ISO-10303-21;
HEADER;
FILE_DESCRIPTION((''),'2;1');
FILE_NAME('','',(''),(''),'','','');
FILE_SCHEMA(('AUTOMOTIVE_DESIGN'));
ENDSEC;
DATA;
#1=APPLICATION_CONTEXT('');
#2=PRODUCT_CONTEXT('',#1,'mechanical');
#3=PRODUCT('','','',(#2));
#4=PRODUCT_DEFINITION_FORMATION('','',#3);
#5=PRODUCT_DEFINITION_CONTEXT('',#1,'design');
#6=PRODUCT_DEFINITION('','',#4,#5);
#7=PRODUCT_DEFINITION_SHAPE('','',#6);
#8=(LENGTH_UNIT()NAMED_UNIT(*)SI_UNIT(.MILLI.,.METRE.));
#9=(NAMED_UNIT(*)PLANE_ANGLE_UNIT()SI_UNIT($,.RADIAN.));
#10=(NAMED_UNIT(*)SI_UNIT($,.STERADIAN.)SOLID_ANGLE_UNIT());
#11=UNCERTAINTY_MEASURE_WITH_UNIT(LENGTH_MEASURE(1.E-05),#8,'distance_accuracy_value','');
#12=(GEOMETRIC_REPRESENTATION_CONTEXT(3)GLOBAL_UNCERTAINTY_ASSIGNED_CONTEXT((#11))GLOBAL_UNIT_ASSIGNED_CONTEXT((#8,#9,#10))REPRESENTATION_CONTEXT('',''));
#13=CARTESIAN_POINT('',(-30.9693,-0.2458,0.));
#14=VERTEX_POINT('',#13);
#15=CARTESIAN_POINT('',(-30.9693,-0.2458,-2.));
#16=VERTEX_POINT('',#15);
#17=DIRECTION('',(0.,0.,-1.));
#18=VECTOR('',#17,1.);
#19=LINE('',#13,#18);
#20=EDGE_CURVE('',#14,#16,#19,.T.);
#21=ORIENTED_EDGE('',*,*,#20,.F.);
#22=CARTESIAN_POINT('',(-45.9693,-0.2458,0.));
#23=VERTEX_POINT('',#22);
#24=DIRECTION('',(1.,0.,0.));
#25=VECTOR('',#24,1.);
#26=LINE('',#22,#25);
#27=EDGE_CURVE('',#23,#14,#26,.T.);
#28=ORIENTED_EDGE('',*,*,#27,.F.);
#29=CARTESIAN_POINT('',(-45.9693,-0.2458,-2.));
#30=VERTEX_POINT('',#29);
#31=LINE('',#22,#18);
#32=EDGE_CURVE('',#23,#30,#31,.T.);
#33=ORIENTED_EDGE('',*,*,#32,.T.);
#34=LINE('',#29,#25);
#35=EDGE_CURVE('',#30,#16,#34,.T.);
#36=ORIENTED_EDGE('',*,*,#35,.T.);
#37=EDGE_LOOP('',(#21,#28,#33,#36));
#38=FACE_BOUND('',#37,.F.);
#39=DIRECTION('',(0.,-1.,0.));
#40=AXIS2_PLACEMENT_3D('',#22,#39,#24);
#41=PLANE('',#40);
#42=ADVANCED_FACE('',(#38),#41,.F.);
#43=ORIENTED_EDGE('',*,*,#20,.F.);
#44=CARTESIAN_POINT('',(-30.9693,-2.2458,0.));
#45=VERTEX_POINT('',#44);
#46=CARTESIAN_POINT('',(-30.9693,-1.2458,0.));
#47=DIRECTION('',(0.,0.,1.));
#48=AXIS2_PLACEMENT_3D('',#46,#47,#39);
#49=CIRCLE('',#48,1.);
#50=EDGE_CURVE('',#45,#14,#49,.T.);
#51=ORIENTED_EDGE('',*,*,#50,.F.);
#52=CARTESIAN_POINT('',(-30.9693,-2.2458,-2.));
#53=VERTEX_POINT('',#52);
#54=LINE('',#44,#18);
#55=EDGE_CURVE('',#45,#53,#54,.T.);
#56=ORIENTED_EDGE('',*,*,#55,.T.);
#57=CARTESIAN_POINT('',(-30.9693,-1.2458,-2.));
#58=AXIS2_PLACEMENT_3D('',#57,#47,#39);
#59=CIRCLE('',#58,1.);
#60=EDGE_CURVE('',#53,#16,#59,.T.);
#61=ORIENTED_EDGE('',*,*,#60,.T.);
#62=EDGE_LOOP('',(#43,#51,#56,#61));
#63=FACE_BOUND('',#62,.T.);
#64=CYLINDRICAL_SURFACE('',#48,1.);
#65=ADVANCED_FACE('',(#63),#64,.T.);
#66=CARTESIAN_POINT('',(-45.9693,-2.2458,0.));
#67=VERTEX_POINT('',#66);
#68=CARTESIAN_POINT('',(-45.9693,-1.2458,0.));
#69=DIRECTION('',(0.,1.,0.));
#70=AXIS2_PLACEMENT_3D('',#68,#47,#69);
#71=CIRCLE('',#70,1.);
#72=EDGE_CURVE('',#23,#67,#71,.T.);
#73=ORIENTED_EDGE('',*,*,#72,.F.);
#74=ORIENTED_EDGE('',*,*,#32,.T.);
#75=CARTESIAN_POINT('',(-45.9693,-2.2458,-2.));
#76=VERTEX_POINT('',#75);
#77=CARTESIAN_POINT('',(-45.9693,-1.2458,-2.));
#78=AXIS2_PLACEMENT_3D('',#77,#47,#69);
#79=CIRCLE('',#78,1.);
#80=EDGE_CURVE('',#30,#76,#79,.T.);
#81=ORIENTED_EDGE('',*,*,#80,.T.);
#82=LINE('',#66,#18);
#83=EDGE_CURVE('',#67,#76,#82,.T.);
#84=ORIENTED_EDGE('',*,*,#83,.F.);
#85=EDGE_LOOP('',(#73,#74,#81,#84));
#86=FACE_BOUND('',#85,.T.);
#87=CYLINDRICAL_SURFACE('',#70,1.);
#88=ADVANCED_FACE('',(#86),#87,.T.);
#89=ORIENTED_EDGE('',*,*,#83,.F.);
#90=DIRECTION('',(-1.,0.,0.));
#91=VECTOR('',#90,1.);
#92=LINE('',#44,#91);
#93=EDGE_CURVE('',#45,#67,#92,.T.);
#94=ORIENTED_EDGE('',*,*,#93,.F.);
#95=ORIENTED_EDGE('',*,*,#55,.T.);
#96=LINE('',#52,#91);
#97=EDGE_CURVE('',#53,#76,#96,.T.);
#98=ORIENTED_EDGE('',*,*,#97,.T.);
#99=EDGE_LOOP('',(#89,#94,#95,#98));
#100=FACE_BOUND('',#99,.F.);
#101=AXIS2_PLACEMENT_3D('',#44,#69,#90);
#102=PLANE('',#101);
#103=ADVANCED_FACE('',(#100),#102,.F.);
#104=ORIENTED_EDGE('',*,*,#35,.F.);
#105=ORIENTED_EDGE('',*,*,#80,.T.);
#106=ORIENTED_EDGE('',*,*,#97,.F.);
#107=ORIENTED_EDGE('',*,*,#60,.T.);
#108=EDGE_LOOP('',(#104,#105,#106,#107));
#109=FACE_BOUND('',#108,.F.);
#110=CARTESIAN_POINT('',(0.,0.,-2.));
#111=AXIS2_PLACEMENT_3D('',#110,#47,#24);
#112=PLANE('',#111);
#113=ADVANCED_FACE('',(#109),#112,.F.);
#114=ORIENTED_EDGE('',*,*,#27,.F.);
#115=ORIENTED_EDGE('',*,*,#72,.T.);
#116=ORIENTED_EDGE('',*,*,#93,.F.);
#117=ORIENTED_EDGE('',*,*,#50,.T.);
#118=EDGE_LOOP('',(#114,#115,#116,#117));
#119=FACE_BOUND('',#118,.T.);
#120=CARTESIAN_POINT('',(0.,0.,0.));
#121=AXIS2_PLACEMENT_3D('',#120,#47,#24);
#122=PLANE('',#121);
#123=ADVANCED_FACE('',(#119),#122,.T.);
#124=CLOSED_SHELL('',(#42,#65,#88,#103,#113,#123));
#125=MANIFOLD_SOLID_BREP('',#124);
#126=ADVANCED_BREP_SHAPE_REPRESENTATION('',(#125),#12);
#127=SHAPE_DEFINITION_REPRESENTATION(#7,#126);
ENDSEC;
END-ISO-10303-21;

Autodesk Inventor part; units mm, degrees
ref_plane "YZ Plane" through (0, 0, 0) normal (1, 0, 0) x (0, 1, 0)
ref_plane "XZ Plane" through (0, 0, 0) normal (0, 1, 0) x (-1, 0, 0)
ref_plane "XY Plane" through (0, 0, 0) normal (0, 0, 1) x (1, 0, 0)
sketch "Náčrt4" plane through (0, 0, 0) normal (0, 0, 1) x (1, 0, 0)
  line L0 (-27.9693, -0.2458) -> (-12.9693, -0.2458) construction
  line L1 (-12.9693, -2.2458) -> (-27.9693, -2.2458) construction
  line L2 (-45.9693, -0.2458) -> (-30.9693, -0.2458) construction
  line L3 (-30.9693, -2.2458) -> (-45.9693, -2.2458) construction
  line L4 (-63.9693, -0.2458) -> (-48.9693, -0.2458) construction
  line L5 (-48.9693, -2.2458) -> (-63.9693, -2.2458) construction
  line L6 (-63.9693, 13.2542) -> (-4.8293, 13.2542) construction
  arc A0 (-63.9693, 13.2542) -> (-73.2693, 3.9542) centre (-63.9693, 3.9542) ccw construction
  line L7 (-73.2693, -86.0458) -> (-73.2693, 3.9542) construction
  arc A1 (-73.2693, -86.0458) -> (-63.9693, -95.3458) centre (-63.9693, -86.0458) ccw construction
  line L8 (-1.9693, -95.3458) -> (-63.9693, -95.3458) construction
  line L9 (-1.9693, -95.3458) -> (-1.9693, -1.0458) construction
  line L10 (-1.9693, -1.0458) -> (-4.8293, 13.2542) construction
  line L11 (-64.9693, -20.2458) -> (-64.9693, -6.2458) construction
  line L12 (-63.4693, -4.7458) -> (-49.4693, -4.7458) construction
  line L13 (-47.9693, -6.2458) -> (-47.9693, -20.2458) construction
  line L14 (-49.4693, -21.7458) -> (-63.4693, -21.7458) construction
  circle A2 centre (-38.4592, 9.4542) radius 0.3 construction
  circle A3 centre (-34.9592, 5.9542) radius 0.3 construction
  circle A4 centre (-38.4592, 2.4542) radius 0.3 construction
  circle A5 centre (-41.9592, 5.9542) radius 0.3 construction
  circle A6 centre (-38.4592, 5.9542) radius 0.3 construction
  circle A7 centre (-40.9341, 8.4291) radius 0.3 construction
  circle A8 centre (-40.9341, 3.4794) radius 0.3 construction
  circle A9 centre (-35.9844, 3.4794) radius 0.3 construction
  circle A10 centre (-35.9844, 8.4291) radius 0.3 construction
  line L15 (-45.9693, -0.2458) -> (-30.9693, -0.2458)
  line L16 (-30.9693, -2.2458) -> (-45.9693, -2.2458)
  line L17 (-33.7677, -85.5406) -> (-34.3413, -86.3597) projected
  arc A11 (-34.3413, -86.3597) -> (-42.5973, -86.3597) centre (-38.4693, -92.2551) ccw projected
  line L18 (-42.5973, -86.3597) -> (-43.1709, -85.5406) projected
  arc A12 (-33.7677, -85.5406) -> (-43.1709, -85.5406) centre (-38.4693, -92.2551) ccw projected
  circle A13 centre (-38.4693, -92.2551) radius 0.9 projected
  line L19 (-35.9457, -88.0585) -> (-36.5193, -88.8776) projected
  arc A14 (-36.5193, -88.8776) -> (-40.4193, -88.8776) centre (-38.4693, -92.2551) ccw projected
  line L20 (-40.4193, -88.8776) -> (-40.9929, -88.0585) projected
  arc A15 (-35.9457, -88.0585) -> (-40.9929, -88.0585) centre (-38.4693, -92.2551) ccw projected
  arc A16 (-31.8749, -82.8374) -> (-45.0637, -82.8374) centre (-38.4693, -92.2551) ccw projected
  line L21 (-31.8749, -82.8374) -> (-32.4485, -83.6565) projected
  arc A17 (-32.4485, -83.6565) -> (-44.4901, -83.6565) centre (-38.4693, -92.2551) ccw projected
  line L22 (-44.4901, -83.6565) -> (-45.0637, -82.8374) projected
  line L23 (-28.9693, -74.2458) -> (-28.9693, -60.2458) projected
  arc A18 (-27.4693, -58.7458) -> (-28.9693, -60.2458) centre (-27.4693, -60.2458) ccw projected
  line L24 (-27.4693, -58.7458) -> (-13.4693, -58.7458) projected
  arc A19 (-11.9693, -60.2458) -> (-13.4693, -58.7458) centre (-13.4693, -60.2458) ccw projected
  line L25 (-11.9693, -60.2458) -> (-11.9693, -74.2458) projected
  arc A20 (-13.4693, -75.7458) -> (-11.9693, -74.2458) centre (-13.4693, -74.2458) ccw projected
  line L26 (-13.4693, -75.7458) -> (-27.4693, -75.7458) projected
  arc A21 (-28.9693, -74.2458) -> (-27.4693, -75.7458) centre (-27.4693, -74.2458) ccw projected
  line L27 (-46.9693, -74.2458) -> (-46.9693, -60.2458) projected
  arc A22 (-45.4693, -58.7458) -> (-46.9693, -60.2458) centre (-45.4693, -60.2458) ccw projected
  line L28 (-45.4693, -58.7458) -> (-31.4693, -58.7458) projected
  arc A23 (-29.9693, -60.2458) -> (-31.4693, -58.7458) centre (-31.4693, -60.2458) ccw projected
  line L29 (-29.9693, -60.2458) -> (-29.9693, -74.2458) projected
  arc A24 (-31.4693, -75.7458) -> (-29.9693, -74.2458) centre (-31.4693, -74.2458) ccw projected
  line L30 (-31.4693, -75.7458) -> (-45.4693, -75.7458) projected
  arc A25 (-46.9693, -74.2458) -> (-45.4693, -75.7458) centre (-45.4693, -74.2458) ccw projected
  line L31 (-64.9693, -74.2458) -> (-64.9693, -60.2458) projected
  arc A26 (-63.4693, -58.7458) -> (-64.9693, -60.2458) centre (-63.4693, -60.2458) ccw projected
  line L32 (-63.4693, -58.7458) -> (-49.4693, -58.7458) projected
  arc A27 (-47.9693, -60.2458) -> (-49.4693, -58.7458) centre (-49.4693, -60.2458) ccw projected
  line L33 (-47.9693, -60.2458) -> (-47.9693, -74.2458) projected
  arc A28 (-49.4693, -75.7458) -> (-47.9693, -74.2458) centre (-49.4693, -74.2458) ccw projected
  line L34 (-49.4693, -75.7458) -> (-63.4693, -75.7458) projected
  arc A29 (-64.9693, -74.2458) -> (-63.4693, -75.7458) centre (-63.4693, -74.2458) ccw projected
  line L35 (-28.9693, -56.2458) -> (-28.9693, -42.2458) projected
  arc A30 (-27.4693, -40.7458) -> (-28.9693, -42.2458) centre (-27.4693, -42.2458) ccw projected
  line L36 (-27.4693, -40.7458) -> (-13.4693, -40.7458) projected
  arc A31 (-11.9693, -42.2458) -> (-13.4693, -40.7458) centre (-13.4693, -42.2458) ccw projected
  line L37 (-11.9693, -42.2458) -> (-11.9693, -56.2458) projected
  arc A32 (-13.4693, -57.7458) -> (-11.9693, -56.2458) centre (-13.4693, -56.2458) ccw projected
  line L38 (-13.4693, -57.7458) -> (-27.4693, -57.7458) projected
  arc A33 (-28.9693, -56.2458) -> (-27.4693, -57.7458) centre (-27.4693, -56.2458) ccw projected
  line L39 (-46.9693, -56.2458) -> (-46.9693, -42.2458) projected
  arc A34 (-45.4693, -40.7458) -> (-46.9693, -42.2458) centre (-45.4693, -42.2458) ccw projected
  line L40 (-45.4693, -40.7458) -> (-31.4693, -40.7458) projected
  arc A35 (-29.9693, -42.2458) -> (-31.4693, -40.7458) centre (-31.4693, -42.2458) ccw projected
  line L41 (-29.9693, -42.2458) -> (-29.9693, -56.2458) projected
  arc A36 (-31.4693, -57.7458) -> (-29.9693, -56.2458) centre (-31.4693, -56.2458) ccw projected
  line L42 (-31.4693, -57.7458) -> (-45.4693, -57.7458) projected
  arc A37 (-46.9693, -56.2458) -> (-45.4693, -57.7458) centre (-45.4693, -56.2458) ccw projected
  line L43 (-64.9693, -56.2458) -> (-64.9693, -42.2458) projected
  arc A38 (-63.4693, -40.7458) -> (-64.9693, -42.2458) centre (-63.4693, -42.2458) ccw projected
  line L44 (-63.4693, -40.7458) -> (-49.4693, -40.7458) projected
  arc A39 (-47.9693, -42.2458) -> (-49.4693, -40.7458) centre (-49.4693, -42.2458) ccw projected
  line L45 (-47.9693, -42.2458) -> (-47.9693, -56.2458) projected
  arc A40 (-49.4693, -57.7458) -> (-47.9693, -56.2458) centre (-49.4693, -56.2458) ccw projected
  line L46 (-49.4693, -57.7458) -> (-63.4693, -57.7458) projected
  arc A41 (-64.9693, -56.2458) -> (-63.4693, -57.7458) centre (-63.4693, -56.2458) ccw projected
  line L47 (-28.9693, -38.2458) -> (-28.9693, -24.2458) projected
  arc A42 (-27.4693, -22.7458) -> (-28.9693, -24.2458) centre (-27.4693, -24.2458) ccw projected
  line L48 (-27.4693, -22.7458) -> (-13.4693, -22.7458) projected
  arc A43 (-11.9693, -24.2458) -> (-13.4693, -22.7458) centre (-13.4693, -24.2458) ccw projected
  line L49 (-11.9693, -24.2458) -> (-11.9693, -38.2458) projected
  arc A44 (-13.4693, -39.7458) -> (-11.9693, -38.2458) centre (-13.4693, -38.2458) ccw projected
  line L50 (-13.4693, -39.7458) -> (-27.4693, -39.7458) projected
  arc A45 (-28.9693, -38.2458) -> (-27.4693, -39.7458) centre (-27.4693, -38.2458) ccw projected
  line L51 (-46.9693, -38.2458) -> (-46.9693, -24.2458) projected
  arc A46 (-45.4693, -22.7458) -> (-46.9693, -24.2458) centre (-45.4693, -24.2458) ccw projected
  line L52 (-45.4693, -22.7458) -> (-31.4693, -22.7458) projected
  arc A47 (-29.9693, -24.2458) -> (-31.4693, -22.7458) centre (-31.4693, -24.2458) ccw projected
  line L53 (-29.9693, -24.2458) -> (-29.9693, -38.2458) projected
  arc A48 (-31.4693, -39.7458) -> (-29.9693, -38.2458) centre (-31.4693, -38.2458) ccw projected
  line L54 (-31.4693, -39.7458) -> (-45.4693, -39.7458) projected
  arc A49 (-46.9693, -38.2458) -> (-45.4693, -39.7458) centre (-45.4693, -38.2458) ccw projected
  line L55 (-64.9693, -38.2458) -> (-64.9693, -24.2458) projected
  arc A50 (-63.4693, -22.7458) -> (-64.9693, -24.2458) centre (-63.4693, -24.2458) ccw projected
  line L56 (-63.4693, -22.7458) -> (-49.4693, -22.7458) projected
  arc A51 (-47.9693, -24.2458) -> (-49.4693, -22.7458) centre (-49.4693, -24.2458) ccw projected
  line L57 (-47.9693, -24.2458) -> (-47.9693, -38.2458) projected
  arc A52 (-49.4693, -39.7458) -> (-47.9693, -38.2458) centre (-49.4693, -38.2458) ccw projected
  line L58 (-49.4693, -39.7458) -> (-63.4693, -39.7458) projected
  arc A53 (-64.9693, -38.2458) -> (-63.4693, -39.7458) centre (-63.4693, -38.2458) ccw projected
  line L59 (-28.9693, -20.2458) -> (-28.9693, -6.2458) projected
  arc A54 (-27.4693, -4.7458) -> (-28.9693, -6.2458) centre (-27.4693, -6.2458) ccw projected
  line L60 (-27.4693, -4.7458) -> (-13.4693, -4.7458) projected
  arc A55 (-11.9693, -6.2458) -> (-13.4693, -4.7458) centre (-13.4693, -6.2458) ccw projected
  line L61 (-11.9693, -6.2458) -> (-11.9693, -20.2458) projected
  arc A56 (-13.4693, -21.7458) -> (-11.9693, -20.2458) centre (-13.4693, -20.2458) ccw projected
  line L62 (-13.4693, -21.7458) -> (-27.4693, -21.7458) projected
  arc A57 (-28.9693, -20.2458) -> (-27.4693, -21.7458) centre (-27.4693, -20.2458) ccw projected
  line L63 (-46.9693, -20.2458) -> (-46.9693, -6.2458) projected
  arc A58 (-45.4693, -4.7458) -> (-46.9693, -6.2458) centre (-45.4693, -6.2458) ccw projected
  line L64 (-45.4693, -4.7458) -> (-31.4693, -4.7458) projected
  arc A59 (-29.9693, -6.2458) -> (-31.4693, -4.7458) centre (-31.4693, -6.2458) ccw projected
  line L65 (-29.9693, -6.2458) -> (-29.9693, -20.2458) projected
  arc A60 (-31.4693, -21.7458) -> (-29.9693, -20.2458) centre (-31.4693, -20.2458) ccw projected
  line L66 (-31.4693, -21.7458) -> (-45.4693, -21.7458) projected
  arc A61 (-46.9693, -20.2458) -> (-45.4693, -21.7458) centre (-45.4693, -20.2458) ccw projected
  arc A62 (-27.9693, -0.2458) -> (-27.9693, -2.2458) centre (-27.9693, -1.2458) ccw projected
  arc A63 (-12.9693, -2.2458) -> (-12.9693, -0.2458) centre (-12.9693, -1.2458) ccw projected
  arc A64 (-45.9693, -0.2458) -> (-45.9693, -2.2458) centre (-45.9693, -1.2458) ccw projected
  arc A65 (-30.9693, -2.2458) -> (-30.9693, -0.2458) centre (-30.9693, -1.2458) ccw projected
  arc A66 (-63.9693, -0.2458) -> (-63.9693, -2.2458) centre (-63.9693, -1.2458) ccw projected
  arc A67 (-48.9693, -2.2458) -> (-48.9693, -0.2458) centre (-48.9693, -1.2458) ccw projected
  arc A68 (-63.4693, -4.7458) -> (-64.9693, -6.2458) centre (-63.4693, -6.2458) ccw projected
  arc A69 (-47.9693, -6.2458) -> (-49.4693, -4.7458) centre (-49.4693, -6.2458) ccw projected
  arc A70 (-49.4693, -21.7458) -> (-47.9693, -20.2458) centre (-49.4693, -20.2458) ccw projected
  arc A71 (-64.9693, -20.2458) -> (-63.4693, -21.7458) centre (-63.4693, -20.2458) ccw projected
  point P0 (0, 0)
  point P1 (-29.9693, -1.2458)
extrude "Vysunutí1" add sketch "Náčrt4" against normal blind 2 contours L15 A65 L16 A64
properties part number "LED yellow" material "ABS plast"
